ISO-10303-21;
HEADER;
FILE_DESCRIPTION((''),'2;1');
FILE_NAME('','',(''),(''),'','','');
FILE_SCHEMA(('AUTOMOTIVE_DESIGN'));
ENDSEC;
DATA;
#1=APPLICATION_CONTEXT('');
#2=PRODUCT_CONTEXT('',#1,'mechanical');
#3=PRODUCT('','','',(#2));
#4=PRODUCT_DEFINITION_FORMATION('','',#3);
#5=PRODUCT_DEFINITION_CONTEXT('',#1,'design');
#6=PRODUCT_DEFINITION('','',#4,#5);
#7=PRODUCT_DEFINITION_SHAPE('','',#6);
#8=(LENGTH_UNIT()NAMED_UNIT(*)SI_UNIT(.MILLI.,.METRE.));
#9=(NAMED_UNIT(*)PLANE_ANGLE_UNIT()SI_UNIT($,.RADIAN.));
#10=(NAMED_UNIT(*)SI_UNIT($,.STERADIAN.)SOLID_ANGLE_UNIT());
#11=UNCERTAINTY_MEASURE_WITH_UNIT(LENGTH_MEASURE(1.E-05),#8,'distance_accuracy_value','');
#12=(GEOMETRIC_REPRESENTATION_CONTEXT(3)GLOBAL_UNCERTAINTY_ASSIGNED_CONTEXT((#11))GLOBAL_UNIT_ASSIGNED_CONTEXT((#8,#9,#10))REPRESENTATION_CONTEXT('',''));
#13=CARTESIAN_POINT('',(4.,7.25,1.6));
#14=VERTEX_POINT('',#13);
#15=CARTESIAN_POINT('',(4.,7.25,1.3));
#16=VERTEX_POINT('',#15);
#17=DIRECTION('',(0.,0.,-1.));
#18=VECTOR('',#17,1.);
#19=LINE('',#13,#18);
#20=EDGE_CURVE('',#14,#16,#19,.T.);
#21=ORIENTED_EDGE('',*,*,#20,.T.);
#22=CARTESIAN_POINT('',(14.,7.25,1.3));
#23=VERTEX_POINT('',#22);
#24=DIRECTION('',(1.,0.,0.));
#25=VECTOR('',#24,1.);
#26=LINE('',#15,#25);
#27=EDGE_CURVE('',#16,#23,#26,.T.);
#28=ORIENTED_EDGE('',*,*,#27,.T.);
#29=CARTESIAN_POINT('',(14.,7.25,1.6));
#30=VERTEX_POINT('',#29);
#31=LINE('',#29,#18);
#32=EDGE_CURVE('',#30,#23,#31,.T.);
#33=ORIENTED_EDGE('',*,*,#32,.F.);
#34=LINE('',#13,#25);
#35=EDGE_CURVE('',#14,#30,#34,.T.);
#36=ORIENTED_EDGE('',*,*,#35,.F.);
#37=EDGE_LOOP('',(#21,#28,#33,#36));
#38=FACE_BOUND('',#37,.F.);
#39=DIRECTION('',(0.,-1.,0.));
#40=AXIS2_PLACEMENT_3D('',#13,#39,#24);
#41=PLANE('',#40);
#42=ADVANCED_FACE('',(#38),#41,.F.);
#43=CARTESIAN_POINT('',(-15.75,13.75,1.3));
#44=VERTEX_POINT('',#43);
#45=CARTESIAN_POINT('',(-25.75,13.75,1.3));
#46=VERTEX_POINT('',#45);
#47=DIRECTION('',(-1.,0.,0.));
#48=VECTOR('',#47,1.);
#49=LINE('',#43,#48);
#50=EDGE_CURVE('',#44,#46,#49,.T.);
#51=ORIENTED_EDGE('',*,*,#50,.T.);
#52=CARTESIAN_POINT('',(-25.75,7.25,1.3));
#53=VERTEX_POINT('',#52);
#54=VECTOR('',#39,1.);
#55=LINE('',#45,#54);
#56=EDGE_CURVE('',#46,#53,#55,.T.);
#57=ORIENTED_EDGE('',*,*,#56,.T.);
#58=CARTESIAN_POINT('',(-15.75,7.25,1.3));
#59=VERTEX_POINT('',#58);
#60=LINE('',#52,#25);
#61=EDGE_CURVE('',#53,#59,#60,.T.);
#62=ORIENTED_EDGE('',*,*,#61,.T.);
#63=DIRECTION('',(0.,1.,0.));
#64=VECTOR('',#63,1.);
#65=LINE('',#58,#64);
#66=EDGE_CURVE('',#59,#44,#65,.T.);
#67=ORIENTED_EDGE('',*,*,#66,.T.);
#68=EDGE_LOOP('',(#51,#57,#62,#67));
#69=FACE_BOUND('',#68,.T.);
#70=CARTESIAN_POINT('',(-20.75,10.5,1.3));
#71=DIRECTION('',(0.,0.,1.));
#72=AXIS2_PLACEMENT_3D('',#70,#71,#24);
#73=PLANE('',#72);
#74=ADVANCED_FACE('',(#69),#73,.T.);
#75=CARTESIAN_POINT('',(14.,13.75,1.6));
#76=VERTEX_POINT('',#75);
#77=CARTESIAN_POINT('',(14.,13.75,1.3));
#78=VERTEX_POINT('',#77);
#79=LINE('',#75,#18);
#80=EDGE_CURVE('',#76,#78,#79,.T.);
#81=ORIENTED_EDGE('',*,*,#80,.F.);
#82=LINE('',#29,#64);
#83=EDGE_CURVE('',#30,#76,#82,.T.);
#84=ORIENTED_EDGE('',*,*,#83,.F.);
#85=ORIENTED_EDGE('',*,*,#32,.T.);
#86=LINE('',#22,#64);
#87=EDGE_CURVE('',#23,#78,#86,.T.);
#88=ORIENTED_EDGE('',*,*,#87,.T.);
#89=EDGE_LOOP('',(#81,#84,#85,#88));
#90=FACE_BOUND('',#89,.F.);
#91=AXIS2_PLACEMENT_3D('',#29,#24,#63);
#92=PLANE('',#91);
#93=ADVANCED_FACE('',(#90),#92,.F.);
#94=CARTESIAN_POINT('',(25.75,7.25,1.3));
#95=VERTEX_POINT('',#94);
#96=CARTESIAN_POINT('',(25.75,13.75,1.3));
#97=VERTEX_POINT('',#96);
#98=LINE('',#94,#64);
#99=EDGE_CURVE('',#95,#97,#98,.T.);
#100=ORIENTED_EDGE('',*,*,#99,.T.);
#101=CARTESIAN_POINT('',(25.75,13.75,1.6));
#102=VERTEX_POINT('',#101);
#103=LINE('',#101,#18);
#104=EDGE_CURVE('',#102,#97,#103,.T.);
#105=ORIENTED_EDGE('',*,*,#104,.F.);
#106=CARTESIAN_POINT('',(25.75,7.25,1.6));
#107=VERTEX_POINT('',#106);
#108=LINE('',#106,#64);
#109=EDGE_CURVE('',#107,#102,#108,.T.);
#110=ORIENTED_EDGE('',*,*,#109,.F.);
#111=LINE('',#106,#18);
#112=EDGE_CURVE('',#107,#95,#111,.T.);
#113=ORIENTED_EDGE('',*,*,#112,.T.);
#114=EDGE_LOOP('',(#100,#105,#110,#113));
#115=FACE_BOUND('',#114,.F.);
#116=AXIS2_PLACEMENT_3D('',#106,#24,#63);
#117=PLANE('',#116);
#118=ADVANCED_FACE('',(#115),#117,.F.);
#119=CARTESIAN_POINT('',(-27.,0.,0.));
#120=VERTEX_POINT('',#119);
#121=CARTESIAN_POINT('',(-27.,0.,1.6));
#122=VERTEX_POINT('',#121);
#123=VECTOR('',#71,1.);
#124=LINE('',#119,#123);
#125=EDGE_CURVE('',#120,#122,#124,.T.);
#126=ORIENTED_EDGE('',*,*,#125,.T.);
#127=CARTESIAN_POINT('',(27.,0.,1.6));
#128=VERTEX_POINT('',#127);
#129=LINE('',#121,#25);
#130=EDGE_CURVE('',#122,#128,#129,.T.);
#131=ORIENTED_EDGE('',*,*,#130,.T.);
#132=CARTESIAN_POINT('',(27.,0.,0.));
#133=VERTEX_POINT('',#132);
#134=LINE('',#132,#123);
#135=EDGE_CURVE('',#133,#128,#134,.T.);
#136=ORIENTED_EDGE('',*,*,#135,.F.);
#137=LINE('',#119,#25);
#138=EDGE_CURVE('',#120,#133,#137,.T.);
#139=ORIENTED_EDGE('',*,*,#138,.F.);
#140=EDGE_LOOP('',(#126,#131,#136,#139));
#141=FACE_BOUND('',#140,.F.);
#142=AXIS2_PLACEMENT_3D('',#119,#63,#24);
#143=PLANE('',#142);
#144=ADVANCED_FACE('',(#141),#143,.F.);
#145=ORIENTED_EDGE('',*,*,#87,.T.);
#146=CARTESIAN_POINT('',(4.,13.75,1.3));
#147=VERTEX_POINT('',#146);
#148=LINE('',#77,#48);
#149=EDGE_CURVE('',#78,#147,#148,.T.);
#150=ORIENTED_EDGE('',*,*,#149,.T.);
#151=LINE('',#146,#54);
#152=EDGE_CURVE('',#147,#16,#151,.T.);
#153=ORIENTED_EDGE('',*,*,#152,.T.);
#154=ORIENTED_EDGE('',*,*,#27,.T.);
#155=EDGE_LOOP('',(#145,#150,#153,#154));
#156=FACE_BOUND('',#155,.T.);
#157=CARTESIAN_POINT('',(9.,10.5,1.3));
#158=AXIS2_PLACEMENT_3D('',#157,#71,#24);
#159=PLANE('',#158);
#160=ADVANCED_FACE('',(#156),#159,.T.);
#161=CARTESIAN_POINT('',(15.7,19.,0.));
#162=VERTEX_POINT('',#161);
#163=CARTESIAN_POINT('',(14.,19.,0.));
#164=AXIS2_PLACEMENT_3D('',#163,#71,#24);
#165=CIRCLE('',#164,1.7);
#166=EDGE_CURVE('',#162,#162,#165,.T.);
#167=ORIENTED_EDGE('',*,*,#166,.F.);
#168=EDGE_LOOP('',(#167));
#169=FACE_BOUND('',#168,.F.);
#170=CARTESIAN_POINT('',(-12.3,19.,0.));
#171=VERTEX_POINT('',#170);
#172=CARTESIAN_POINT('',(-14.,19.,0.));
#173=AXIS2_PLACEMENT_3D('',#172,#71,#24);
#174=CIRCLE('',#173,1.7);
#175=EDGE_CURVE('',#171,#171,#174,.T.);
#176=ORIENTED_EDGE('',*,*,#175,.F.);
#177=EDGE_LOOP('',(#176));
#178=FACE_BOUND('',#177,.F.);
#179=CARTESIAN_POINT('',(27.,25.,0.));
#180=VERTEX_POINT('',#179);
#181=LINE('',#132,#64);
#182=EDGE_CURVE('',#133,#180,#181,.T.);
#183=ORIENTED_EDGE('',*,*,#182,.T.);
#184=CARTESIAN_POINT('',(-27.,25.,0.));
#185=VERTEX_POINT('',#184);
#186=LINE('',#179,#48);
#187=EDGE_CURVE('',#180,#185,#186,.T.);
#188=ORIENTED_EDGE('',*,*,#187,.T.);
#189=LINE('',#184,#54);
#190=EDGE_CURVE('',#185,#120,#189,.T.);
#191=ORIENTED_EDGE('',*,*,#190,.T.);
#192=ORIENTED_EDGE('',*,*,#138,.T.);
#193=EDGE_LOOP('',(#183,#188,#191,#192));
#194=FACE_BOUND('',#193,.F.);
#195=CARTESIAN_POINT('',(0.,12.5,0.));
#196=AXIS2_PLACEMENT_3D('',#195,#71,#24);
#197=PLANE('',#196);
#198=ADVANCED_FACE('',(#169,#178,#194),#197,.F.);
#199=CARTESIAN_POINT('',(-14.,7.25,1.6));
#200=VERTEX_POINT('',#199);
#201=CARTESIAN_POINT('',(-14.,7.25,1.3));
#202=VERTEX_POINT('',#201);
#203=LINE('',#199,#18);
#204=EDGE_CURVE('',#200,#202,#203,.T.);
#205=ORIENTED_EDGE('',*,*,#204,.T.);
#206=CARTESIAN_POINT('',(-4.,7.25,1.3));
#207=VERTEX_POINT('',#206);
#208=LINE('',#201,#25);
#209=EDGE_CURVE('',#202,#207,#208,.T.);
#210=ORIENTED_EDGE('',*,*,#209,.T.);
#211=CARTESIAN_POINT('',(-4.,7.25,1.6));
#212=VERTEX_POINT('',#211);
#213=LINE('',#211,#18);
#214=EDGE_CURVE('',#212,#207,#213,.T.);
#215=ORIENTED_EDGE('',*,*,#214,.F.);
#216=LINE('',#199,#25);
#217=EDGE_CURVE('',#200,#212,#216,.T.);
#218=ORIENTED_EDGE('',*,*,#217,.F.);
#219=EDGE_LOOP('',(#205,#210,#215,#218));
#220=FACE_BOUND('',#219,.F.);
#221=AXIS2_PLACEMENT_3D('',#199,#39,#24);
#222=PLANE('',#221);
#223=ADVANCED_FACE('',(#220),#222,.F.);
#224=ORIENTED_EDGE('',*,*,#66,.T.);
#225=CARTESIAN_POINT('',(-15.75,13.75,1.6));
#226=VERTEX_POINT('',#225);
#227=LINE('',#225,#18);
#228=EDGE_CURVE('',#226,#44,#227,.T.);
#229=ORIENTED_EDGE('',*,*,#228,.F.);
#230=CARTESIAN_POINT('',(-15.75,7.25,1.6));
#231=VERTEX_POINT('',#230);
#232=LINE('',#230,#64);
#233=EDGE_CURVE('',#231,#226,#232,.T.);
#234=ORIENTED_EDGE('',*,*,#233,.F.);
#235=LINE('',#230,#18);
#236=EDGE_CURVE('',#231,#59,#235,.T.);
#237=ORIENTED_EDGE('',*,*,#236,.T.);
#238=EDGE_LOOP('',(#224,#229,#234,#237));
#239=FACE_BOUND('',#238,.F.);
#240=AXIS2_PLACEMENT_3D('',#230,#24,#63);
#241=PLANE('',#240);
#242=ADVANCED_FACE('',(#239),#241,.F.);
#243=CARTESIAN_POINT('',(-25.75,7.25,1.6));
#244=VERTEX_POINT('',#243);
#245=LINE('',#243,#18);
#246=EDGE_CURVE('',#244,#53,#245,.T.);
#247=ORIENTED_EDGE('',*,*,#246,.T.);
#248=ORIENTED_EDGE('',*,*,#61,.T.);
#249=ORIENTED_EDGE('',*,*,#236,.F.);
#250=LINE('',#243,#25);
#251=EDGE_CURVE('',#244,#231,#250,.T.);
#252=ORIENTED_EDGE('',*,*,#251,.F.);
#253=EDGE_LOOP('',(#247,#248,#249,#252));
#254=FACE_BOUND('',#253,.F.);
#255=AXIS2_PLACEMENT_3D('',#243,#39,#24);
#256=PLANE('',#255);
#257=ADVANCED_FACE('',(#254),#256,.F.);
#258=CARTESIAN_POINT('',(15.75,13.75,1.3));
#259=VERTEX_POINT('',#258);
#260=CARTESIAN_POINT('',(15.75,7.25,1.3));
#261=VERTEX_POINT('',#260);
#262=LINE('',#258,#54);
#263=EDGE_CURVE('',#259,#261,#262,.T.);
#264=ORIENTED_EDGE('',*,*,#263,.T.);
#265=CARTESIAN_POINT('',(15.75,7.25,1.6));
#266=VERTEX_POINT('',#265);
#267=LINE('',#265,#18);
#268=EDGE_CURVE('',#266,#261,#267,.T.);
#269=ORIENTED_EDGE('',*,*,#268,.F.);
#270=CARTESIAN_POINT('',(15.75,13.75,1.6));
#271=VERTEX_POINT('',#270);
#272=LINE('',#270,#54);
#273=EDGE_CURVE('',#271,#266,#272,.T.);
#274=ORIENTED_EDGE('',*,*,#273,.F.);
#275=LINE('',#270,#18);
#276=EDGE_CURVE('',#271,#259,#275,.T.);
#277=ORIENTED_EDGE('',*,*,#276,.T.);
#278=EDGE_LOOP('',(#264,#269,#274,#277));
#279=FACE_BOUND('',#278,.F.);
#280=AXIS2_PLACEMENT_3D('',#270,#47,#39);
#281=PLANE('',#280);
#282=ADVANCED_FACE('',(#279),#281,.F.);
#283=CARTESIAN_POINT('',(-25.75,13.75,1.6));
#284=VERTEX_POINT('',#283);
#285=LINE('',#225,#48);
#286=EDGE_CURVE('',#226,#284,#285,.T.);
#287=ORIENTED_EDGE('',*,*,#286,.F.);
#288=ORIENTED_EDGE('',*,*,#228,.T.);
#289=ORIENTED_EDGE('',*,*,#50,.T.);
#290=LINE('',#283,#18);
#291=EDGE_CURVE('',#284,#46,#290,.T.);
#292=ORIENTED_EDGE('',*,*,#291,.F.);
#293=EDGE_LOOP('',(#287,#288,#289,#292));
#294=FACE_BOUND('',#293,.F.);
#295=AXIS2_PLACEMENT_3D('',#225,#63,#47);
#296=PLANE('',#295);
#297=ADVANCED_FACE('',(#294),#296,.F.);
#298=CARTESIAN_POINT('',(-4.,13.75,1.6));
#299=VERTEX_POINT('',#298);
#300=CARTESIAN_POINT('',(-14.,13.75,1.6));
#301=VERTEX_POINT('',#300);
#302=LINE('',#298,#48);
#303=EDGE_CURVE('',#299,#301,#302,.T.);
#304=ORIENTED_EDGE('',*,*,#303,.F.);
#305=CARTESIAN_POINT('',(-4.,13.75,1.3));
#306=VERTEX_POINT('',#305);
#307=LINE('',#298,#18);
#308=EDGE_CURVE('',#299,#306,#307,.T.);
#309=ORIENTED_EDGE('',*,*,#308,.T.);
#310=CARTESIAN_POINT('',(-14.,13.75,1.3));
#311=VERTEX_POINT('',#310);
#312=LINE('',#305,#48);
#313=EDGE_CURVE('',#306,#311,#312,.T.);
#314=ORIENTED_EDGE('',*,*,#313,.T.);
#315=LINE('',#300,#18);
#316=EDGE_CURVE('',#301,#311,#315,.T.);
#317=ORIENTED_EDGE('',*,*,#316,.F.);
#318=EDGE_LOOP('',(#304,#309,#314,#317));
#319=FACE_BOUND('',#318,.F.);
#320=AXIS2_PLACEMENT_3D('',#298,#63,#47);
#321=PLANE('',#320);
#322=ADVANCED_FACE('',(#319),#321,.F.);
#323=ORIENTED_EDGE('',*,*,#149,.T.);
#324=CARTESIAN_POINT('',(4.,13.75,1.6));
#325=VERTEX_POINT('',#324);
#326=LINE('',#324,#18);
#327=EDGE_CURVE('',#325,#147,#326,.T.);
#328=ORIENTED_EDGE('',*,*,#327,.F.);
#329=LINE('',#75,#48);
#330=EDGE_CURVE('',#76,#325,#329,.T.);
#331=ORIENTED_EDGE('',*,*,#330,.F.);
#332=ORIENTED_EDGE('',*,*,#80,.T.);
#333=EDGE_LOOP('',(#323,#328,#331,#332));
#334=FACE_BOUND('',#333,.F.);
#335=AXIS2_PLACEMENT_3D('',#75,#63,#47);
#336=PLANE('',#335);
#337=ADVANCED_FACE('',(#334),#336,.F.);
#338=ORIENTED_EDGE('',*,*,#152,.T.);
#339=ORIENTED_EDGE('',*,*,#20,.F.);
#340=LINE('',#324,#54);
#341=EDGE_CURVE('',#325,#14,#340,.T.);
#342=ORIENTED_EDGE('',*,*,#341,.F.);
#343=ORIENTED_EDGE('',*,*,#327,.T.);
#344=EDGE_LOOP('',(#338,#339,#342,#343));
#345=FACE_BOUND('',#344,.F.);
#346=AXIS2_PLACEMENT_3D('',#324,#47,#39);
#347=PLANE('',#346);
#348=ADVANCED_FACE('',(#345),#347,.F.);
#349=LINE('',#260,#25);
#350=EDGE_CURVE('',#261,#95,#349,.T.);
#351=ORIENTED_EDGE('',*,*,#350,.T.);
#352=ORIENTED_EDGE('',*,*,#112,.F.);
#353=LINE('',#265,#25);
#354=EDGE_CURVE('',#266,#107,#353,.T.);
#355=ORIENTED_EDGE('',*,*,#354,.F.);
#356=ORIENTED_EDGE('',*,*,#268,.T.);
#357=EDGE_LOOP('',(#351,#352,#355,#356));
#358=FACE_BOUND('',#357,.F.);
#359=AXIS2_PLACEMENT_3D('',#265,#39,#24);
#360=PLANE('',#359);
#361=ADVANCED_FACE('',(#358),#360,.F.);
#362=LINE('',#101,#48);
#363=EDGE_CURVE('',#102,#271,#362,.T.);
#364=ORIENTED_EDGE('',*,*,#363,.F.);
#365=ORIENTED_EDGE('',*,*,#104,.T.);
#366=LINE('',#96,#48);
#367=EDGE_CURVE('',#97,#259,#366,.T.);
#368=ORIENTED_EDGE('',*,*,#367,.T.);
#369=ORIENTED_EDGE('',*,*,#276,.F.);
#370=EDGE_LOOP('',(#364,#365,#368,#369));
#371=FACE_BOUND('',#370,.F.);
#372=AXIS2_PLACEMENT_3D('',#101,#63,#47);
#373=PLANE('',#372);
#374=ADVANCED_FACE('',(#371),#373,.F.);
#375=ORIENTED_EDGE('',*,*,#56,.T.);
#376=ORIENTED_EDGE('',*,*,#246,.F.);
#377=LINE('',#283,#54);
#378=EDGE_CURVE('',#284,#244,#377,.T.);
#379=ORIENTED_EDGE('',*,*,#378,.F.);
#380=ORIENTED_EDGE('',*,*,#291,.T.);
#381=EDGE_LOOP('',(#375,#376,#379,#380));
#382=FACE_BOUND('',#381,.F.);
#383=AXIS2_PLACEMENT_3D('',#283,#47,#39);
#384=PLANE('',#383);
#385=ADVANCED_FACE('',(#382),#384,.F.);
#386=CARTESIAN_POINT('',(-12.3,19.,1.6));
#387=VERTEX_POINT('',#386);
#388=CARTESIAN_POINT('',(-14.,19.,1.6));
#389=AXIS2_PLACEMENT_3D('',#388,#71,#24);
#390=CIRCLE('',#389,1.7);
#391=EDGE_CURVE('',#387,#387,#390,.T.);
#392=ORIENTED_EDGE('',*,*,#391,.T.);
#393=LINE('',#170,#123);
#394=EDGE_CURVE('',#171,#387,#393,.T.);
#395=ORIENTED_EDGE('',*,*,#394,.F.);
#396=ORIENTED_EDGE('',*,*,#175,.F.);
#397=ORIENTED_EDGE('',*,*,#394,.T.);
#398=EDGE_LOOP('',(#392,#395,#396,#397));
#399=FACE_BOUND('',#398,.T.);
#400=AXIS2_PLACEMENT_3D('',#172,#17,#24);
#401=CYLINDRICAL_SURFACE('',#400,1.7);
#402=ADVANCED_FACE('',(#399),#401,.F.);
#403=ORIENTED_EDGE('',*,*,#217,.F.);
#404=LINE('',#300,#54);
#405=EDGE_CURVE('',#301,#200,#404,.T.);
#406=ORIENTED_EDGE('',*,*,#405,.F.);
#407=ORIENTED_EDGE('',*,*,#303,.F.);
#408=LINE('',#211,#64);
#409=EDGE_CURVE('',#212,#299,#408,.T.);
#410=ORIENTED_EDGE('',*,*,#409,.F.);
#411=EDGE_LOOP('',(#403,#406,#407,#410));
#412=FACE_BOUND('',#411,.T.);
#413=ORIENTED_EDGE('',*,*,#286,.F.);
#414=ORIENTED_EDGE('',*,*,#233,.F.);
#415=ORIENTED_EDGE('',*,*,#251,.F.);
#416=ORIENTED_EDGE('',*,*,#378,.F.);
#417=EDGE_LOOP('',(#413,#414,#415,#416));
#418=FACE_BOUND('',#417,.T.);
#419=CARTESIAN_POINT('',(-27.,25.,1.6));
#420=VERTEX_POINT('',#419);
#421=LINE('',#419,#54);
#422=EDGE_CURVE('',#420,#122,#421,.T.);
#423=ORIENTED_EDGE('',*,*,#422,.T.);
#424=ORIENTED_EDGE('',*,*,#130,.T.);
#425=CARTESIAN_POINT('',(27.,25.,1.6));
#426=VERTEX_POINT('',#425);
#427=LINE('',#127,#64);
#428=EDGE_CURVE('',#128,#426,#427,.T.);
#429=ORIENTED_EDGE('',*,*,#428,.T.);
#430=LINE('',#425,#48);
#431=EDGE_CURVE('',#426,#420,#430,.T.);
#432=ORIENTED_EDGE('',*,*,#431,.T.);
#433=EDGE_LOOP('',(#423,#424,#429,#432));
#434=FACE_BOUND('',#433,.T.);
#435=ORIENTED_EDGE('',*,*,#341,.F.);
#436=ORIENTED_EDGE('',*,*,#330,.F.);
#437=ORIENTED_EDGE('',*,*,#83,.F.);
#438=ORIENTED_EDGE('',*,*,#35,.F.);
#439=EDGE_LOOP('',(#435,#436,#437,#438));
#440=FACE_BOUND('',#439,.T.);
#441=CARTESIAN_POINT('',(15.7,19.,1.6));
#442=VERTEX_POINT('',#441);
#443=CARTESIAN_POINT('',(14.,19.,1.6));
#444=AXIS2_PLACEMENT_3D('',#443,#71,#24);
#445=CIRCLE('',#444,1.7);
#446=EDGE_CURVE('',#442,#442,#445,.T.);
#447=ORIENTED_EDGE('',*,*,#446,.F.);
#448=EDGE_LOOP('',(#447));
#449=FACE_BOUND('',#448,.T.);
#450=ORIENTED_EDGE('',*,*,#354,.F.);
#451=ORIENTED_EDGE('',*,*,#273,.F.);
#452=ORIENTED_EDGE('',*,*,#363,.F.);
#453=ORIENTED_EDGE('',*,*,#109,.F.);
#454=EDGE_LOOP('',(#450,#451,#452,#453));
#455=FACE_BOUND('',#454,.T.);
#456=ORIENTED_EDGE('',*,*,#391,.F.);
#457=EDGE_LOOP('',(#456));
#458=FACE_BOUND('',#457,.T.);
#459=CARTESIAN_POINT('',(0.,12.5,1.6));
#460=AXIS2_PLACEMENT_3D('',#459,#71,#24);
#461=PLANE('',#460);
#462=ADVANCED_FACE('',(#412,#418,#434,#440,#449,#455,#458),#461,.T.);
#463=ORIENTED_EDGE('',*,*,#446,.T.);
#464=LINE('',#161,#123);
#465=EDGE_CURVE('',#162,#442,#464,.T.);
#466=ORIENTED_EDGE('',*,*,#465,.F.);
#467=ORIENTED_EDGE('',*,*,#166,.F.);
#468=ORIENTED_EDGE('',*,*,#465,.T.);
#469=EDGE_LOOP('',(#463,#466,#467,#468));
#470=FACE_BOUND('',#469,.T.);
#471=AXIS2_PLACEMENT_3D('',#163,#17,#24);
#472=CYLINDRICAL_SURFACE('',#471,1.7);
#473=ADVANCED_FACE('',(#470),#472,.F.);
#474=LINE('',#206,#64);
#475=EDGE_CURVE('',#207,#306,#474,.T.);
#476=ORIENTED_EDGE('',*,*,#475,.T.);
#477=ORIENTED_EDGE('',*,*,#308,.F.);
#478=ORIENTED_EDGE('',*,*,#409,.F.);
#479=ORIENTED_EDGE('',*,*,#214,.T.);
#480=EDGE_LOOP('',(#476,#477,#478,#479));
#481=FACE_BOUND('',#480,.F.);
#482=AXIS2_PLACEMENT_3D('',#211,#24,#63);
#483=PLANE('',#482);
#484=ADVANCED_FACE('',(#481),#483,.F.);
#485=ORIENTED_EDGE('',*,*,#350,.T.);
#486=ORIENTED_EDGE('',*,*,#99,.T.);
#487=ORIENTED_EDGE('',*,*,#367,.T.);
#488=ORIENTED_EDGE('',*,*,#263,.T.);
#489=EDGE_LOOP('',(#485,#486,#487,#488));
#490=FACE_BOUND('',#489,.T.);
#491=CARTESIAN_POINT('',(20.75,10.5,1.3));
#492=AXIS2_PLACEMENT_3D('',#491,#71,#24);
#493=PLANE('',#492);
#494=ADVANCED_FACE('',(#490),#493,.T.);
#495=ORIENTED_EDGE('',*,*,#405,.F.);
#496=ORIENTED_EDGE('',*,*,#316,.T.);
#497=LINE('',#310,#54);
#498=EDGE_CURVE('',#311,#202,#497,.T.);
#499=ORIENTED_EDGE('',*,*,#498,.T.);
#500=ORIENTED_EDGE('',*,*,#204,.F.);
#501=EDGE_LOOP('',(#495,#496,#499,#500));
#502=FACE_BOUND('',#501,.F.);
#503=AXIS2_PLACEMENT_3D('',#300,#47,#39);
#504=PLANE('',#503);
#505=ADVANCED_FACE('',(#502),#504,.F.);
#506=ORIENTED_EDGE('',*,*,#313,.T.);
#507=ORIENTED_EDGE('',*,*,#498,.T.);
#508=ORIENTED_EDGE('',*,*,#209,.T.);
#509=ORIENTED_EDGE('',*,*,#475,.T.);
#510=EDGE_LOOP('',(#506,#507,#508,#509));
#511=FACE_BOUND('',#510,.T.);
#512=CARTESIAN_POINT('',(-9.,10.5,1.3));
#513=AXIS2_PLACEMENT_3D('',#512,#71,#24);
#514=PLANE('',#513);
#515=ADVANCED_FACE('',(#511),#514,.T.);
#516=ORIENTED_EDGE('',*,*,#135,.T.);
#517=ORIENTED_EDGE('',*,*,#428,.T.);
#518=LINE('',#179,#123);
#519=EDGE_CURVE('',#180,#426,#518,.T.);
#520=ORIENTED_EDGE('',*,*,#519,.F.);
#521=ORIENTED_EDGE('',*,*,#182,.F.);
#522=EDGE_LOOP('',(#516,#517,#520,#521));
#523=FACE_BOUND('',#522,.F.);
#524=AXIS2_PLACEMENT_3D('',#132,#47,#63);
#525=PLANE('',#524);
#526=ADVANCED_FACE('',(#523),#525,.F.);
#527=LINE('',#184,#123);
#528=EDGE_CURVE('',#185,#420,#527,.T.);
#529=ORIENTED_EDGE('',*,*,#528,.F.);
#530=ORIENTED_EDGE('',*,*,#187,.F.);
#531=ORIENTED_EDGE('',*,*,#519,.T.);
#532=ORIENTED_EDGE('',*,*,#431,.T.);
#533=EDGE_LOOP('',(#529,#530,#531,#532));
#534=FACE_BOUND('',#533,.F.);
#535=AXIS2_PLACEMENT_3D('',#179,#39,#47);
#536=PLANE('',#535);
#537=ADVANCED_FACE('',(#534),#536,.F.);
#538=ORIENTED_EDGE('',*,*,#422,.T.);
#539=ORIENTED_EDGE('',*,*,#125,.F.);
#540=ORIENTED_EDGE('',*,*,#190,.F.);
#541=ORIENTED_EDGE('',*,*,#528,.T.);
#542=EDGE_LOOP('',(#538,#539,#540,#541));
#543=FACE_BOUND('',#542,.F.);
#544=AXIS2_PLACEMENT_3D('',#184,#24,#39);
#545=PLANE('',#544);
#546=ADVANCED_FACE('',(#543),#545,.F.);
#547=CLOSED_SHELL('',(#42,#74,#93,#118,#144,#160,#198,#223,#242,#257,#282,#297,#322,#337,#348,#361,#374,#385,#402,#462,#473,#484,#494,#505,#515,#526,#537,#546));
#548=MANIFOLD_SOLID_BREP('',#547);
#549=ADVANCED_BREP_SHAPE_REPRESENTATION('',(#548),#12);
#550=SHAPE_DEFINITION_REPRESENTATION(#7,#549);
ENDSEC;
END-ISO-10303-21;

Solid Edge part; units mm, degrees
sketch "Sketch1" plane through (0, 0, 0) normal (0, 0, 1) x (1, 0, 0)
  line L0 (27, 25) -> (-27, 25)
  line L1 (-27, 25) -> (-27, 0)
  line L2 (-27, 0) -> (27, 0)
  line L3 (27, 0) -> (27, 25)
  circle A0 centre (14, 19) radius 1.7
  circle A1 centre (-14, 19) radius 1.7
  dimension "D1" = 25
  dimension "D2" = 54
  dimension "D3" = 6
  dimension "D4" = 28
  dimension "D5" = 3.4
extrude "Protrusion1" add sketch "Sketch1" along normal blind 1.6
sketch "Sketch2" plane through (0, 12.5, 1.6) normal (0, 0, 1) x (1, 0, 0)
  line L0 (-15.75, 1.25) -> (-25.75, 1.25)
  line L1 (-25.75, 1.25) -> (-25.75, -5.25)
  line L2 (-25.75, -5.25) -> (-15.75, -5.25)
  line L3 (-15.75, -5.25) -> (-15.75, 1.25)
  line L4 (-4, 1.25) -> (-14, 1.25)
  line L5 (-14, 1.25) -> (-14, -5.25)
  line L6 (-14, -5.25) -> (-4, -5.25)
  line L7 (-4, -5.25) -> (-4, 1.25)
  line L8 (14, 1.25) -> (4, 1.25)
  line L9 (4, 1.25) -> (4, -5.25)
  line L10 (4, -5.25) -> (14, -5.25)
  line L11 (14, -5.25) -> (14, 1.25)
  line L12 (25.75, 1.25) -> (15.75, 1.25)
  line L13 (15.75, 1.25) -> (15.75, -5.25)
  line L14 (15.75, -5.25) -> (25.75, -5.25)
  line L15 (25.75, -5.25) -> (25.75, 1.25)
  dimension "D1" = 14.5
  dimension "D2" = 10
  dimension "D3" = 6.5
  dimension "D4" = 18
  dimension "D5" = 41.5
extrude "Buttons" cut sketch "Sketch2" against normal blind 0.3
